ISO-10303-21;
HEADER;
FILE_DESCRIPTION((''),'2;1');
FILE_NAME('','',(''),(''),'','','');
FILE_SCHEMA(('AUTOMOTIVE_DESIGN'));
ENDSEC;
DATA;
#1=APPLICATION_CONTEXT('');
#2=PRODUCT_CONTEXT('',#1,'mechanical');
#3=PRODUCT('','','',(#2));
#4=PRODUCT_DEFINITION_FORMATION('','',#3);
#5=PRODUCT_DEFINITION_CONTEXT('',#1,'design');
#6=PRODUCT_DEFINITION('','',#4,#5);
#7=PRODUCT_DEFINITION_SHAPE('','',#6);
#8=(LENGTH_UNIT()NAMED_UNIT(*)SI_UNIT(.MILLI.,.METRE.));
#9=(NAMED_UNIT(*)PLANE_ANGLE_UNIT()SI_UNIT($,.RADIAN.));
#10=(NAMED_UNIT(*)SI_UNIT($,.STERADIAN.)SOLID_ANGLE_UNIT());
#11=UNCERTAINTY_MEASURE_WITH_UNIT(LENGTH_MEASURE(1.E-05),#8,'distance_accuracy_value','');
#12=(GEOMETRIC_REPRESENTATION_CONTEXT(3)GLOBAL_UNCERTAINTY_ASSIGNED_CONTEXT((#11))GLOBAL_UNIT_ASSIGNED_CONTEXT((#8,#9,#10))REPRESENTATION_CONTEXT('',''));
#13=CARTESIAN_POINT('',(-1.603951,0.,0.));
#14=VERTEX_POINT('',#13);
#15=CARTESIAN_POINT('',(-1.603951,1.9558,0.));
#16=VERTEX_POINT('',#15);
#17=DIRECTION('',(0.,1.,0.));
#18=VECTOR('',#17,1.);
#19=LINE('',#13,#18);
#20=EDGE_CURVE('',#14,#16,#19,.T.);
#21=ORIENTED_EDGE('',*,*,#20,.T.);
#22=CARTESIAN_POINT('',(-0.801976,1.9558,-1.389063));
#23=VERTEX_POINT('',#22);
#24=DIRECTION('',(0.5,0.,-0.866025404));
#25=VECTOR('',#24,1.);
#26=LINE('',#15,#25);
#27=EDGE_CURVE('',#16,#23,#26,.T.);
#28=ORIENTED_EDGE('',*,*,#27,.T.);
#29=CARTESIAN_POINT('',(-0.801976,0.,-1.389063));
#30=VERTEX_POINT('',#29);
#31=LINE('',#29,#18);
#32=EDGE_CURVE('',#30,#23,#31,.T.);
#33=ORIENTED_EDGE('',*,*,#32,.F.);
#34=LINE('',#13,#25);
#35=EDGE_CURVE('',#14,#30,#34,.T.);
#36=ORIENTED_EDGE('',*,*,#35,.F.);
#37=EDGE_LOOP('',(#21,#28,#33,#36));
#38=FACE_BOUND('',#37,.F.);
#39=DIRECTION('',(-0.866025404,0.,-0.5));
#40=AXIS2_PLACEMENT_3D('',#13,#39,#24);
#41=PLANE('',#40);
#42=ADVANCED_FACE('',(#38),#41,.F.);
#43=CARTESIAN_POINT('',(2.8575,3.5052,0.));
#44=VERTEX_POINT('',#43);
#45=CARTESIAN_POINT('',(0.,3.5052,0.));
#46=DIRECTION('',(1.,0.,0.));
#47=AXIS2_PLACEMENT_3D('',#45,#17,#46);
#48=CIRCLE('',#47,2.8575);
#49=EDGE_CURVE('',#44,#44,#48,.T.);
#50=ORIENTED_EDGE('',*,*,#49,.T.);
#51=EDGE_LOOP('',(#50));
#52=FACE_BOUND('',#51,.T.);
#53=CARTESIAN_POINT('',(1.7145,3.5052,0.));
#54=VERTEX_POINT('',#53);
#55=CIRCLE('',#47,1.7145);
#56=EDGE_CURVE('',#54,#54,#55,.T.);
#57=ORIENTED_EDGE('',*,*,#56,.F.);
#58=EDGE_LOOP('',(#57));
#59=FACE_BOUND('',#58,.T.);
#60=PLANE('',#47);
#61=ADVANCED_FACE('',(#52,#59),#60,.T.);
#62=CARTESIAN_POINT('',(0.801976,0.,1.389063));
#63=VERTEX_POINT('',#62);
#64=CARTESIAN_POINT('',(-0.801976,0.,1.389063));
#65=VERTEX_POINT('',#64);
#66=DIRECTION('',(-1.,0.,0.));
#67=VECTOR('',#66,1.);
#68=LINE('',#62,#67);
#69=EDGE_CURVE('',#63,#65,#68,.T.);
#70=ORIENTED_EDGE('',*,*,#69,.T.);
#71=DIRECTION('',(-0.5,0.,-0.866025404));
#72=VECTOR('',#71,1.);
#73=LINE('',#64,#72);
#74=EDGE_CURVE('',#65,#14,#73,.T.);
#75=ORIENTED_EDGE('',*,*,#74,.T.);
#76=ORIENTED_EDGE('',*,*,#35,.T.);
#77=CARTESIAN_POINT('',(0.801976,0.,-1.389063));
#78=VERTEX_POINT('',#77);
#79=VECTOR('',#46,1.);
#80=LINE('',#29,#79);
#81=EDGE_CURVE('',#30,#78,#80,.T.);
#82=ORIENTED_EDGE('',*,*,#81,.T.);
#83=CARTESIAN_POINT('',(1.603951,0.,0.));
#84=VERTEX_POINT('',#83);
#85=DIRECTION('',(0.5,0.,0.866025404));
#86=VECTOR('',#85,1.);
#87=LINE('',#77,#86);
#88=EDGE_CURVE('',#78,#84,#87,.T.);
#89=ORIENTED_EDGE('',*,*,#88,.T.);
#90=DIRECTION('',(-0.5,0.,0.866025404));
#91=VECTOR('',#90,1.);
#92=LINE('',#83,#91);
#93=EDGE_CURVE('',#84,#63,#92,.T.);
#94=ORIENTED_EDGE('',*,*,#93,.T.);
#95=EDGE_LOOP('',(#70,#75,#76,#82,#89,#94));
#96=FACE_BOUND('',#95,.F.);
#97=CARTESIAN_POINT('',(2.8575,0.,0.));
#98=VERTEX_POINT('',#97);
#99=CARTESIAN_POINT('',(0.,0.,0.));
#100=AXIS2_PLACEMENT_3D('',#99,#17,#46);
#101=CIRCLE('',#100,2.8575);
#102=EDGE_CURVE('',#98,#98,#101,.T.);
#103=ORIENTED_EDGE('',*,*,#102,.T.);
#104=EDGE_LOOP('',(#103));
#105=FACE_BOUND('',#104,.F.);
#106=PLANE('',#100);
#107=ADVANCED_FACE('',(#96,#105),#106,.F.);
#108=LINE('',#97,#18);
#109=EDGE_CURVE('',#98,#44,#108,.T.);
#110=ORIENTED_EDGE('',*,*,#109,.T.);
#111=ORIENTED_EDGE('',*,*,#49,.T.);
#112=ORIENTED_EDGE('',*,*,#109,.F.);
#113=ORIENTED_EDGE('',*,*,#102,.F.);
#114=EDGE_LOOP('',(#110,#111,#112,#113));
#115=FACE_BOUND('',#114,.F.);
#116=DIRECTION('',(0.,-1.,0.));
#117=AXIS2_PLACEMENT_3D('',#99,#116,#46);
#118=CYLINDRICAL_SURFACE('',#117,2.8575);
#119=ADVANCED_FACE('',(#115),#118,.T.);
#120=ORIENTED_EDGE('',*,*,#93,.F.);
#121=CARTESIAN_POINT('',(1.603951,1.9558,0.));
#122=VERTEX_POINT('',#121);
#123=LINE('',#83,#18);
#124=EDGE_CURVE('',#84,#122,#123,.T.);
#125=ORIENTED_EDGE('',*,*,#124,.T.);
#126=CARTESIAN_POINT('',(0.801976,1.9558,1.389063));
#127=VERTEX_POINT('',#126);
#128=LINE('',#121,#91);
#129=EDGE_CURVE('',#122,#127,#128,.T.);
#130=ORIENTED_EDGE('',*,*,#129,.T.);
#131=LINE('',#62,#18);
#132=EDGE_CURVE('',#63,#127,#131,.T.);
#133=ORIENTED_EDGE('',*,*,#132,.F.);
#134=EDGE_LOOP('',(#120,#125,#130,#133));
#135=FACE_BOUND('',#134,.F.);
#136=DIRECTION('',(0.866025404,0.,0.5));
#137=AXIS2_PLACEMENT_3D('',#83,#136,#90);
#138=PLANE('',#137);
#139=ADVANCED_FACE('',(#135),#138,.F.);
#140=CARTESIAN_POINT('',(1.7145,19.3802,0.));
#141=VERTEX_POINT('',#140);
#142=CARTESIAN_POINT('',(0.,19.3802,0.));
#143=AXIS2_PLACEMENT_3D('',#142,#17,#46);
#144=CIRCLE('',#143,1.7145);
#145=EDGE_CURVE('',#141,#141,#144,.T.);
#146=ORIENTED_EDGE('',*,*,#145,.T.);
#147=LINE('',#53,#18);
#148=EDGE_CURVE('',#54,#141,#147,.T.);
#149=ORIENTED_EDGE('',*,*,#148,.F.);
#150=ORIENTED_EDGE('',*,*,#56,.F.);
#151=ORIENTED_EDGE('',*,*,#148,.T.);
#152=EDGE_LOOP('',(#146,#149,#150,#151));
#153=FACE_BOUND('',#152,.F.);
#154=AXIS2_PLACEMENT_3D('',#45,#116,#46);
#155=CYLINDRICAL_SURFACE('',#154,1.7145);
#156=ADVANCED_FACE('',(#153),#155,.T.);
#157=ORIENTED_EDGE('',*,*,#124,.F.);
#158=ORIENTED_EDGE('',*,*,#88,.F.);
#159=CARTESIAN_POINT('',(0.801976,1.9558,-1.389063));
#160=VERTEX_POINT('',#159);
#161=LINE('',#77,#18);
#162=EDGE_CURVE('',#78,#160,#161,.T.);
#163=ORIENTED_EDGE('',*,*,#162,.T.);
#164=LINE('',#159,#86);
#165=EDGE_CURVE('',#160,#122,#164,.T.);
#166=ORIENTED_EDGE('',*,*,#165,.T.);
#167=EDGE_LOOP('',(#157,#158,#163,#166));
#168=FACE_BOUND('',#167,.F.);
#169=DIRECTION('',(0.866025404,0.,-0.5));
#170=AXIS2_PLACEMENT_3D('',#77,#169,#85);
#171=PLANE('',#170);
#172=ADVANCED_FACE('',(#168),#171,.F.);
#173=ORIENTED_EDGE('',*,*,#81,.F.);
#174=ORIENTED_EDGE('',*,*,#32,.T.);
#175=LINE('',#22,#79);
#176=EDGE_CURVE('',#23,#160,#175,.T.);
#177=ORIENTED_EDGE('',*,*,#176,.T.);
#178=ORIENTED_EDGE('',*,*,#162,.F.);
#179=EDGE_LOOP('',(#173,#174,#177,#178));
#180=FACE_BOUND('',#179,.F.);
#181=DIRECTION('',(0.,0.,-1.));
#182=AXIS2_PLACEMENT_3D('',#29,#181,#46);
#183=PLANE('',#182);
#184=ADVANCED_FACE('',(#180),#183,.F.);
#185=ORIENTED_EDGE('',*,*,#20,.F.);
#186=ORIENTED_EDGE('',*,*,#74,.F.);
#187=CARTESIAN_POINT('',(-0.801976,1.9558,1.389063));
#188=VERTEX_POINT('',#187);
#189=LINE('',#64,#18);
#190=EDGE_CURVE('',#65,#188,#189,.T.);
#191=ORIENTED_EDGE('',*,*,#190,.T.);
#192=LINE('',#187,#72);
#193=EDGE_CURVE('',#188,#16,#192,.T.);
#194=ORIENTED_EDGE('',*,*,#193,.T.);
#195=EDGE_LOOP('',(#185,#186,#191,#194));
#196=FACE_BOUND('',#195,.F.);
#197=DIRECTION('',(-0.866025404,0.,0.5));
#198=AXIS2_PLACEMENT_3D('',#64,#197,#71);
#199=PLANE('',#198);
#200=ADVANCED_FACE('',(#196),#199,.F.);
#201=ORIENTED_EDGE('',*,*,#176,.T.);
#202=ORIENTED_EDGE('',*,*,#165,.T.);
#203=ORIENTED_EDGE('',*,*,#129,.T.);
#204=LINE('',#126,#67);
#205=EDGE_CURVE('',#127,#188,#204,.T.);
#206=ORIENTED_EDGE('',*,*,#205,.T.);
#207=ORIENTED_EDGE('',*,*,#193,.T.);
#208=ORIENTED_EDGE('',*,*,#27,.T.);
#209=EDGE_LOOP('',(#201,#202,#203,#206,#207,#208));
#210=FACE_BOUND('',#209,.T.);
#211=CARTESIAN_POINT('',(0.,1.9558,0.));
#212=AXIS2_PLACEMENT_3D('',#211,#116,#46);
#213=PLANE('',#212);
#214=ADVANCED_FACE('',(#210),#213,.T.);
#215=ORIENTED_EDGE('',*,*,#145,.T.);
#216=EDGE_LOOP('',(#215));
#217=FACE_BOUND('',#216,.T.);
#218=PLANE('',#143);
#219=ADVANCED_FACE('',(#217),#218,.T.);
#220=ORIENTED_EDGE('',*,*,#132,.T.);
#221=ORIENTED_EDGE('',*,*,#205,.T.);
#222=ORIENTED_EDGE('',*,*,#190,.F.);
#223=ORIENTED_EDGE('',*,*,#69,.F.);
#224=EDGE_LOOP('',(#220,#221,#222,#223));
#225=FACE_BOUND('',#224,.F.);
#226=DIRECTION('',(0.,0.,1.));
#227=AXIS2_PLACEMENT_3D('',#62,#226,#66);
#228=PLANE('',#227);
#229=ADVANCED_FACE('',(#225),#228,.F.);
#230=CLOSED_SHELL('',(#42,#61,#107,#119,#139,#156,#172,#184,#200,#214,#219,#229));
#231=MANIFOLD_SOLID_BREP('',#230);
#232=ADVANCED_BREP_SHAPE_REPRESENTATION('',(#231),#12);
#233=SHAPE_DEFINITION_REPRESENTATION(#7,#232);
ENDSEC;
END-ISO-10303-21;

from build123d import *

# Parameters (mm, degrees)
SKETCH1_R           = 2.8575
BOSS_EXTRUDE1_DEPTH = 3.5052
CUT_EXTRUDE1_DEPTH  = 1.9558
SKETCH3_R           = 1.7145
BOSS_EXTRUDE2_DEPTH = 15.875


with BuildPart() as part:
    # Sketch1 → Boss-Extrude1 (new body)
    with BuildSketch(Plane(origin=(0, 0, 0), x_dir=(1, 0, 0), z_dir=(0, 1, 0))):
        Circle(SKETCH1_R)
    extrude(amount=BOSS_EXTRUDE1_DEPTH)

    # Sketch2 → Cut-Extrude1 (cut)
    with BuildSketch(Plane.XZ):
        Polygon((1.603951217, 0), (0.801975608, 1.3890625), (-0.801975608, 1.3890625), (-1.603951217, 0), (-0.801975608, -1.3890625), (0.801975608, -1.3890625), align=None)
    extrude(amount=-CUT_EXTRUDE1_DEPTH, mode=Mode.SUBTRACT)

    # Sketch3 → Boss-Extrude2 (add)
    with BuildSketch(Plane(origin=(0, 3.5052, 0), x_dir=(1, 0, 0), z_dir=(0, 1, 0))):
        Circle(SKETCH3_R)
    extrude(amount=BOSS_EXTRUDE2_DEPTH)


solid = part.part
